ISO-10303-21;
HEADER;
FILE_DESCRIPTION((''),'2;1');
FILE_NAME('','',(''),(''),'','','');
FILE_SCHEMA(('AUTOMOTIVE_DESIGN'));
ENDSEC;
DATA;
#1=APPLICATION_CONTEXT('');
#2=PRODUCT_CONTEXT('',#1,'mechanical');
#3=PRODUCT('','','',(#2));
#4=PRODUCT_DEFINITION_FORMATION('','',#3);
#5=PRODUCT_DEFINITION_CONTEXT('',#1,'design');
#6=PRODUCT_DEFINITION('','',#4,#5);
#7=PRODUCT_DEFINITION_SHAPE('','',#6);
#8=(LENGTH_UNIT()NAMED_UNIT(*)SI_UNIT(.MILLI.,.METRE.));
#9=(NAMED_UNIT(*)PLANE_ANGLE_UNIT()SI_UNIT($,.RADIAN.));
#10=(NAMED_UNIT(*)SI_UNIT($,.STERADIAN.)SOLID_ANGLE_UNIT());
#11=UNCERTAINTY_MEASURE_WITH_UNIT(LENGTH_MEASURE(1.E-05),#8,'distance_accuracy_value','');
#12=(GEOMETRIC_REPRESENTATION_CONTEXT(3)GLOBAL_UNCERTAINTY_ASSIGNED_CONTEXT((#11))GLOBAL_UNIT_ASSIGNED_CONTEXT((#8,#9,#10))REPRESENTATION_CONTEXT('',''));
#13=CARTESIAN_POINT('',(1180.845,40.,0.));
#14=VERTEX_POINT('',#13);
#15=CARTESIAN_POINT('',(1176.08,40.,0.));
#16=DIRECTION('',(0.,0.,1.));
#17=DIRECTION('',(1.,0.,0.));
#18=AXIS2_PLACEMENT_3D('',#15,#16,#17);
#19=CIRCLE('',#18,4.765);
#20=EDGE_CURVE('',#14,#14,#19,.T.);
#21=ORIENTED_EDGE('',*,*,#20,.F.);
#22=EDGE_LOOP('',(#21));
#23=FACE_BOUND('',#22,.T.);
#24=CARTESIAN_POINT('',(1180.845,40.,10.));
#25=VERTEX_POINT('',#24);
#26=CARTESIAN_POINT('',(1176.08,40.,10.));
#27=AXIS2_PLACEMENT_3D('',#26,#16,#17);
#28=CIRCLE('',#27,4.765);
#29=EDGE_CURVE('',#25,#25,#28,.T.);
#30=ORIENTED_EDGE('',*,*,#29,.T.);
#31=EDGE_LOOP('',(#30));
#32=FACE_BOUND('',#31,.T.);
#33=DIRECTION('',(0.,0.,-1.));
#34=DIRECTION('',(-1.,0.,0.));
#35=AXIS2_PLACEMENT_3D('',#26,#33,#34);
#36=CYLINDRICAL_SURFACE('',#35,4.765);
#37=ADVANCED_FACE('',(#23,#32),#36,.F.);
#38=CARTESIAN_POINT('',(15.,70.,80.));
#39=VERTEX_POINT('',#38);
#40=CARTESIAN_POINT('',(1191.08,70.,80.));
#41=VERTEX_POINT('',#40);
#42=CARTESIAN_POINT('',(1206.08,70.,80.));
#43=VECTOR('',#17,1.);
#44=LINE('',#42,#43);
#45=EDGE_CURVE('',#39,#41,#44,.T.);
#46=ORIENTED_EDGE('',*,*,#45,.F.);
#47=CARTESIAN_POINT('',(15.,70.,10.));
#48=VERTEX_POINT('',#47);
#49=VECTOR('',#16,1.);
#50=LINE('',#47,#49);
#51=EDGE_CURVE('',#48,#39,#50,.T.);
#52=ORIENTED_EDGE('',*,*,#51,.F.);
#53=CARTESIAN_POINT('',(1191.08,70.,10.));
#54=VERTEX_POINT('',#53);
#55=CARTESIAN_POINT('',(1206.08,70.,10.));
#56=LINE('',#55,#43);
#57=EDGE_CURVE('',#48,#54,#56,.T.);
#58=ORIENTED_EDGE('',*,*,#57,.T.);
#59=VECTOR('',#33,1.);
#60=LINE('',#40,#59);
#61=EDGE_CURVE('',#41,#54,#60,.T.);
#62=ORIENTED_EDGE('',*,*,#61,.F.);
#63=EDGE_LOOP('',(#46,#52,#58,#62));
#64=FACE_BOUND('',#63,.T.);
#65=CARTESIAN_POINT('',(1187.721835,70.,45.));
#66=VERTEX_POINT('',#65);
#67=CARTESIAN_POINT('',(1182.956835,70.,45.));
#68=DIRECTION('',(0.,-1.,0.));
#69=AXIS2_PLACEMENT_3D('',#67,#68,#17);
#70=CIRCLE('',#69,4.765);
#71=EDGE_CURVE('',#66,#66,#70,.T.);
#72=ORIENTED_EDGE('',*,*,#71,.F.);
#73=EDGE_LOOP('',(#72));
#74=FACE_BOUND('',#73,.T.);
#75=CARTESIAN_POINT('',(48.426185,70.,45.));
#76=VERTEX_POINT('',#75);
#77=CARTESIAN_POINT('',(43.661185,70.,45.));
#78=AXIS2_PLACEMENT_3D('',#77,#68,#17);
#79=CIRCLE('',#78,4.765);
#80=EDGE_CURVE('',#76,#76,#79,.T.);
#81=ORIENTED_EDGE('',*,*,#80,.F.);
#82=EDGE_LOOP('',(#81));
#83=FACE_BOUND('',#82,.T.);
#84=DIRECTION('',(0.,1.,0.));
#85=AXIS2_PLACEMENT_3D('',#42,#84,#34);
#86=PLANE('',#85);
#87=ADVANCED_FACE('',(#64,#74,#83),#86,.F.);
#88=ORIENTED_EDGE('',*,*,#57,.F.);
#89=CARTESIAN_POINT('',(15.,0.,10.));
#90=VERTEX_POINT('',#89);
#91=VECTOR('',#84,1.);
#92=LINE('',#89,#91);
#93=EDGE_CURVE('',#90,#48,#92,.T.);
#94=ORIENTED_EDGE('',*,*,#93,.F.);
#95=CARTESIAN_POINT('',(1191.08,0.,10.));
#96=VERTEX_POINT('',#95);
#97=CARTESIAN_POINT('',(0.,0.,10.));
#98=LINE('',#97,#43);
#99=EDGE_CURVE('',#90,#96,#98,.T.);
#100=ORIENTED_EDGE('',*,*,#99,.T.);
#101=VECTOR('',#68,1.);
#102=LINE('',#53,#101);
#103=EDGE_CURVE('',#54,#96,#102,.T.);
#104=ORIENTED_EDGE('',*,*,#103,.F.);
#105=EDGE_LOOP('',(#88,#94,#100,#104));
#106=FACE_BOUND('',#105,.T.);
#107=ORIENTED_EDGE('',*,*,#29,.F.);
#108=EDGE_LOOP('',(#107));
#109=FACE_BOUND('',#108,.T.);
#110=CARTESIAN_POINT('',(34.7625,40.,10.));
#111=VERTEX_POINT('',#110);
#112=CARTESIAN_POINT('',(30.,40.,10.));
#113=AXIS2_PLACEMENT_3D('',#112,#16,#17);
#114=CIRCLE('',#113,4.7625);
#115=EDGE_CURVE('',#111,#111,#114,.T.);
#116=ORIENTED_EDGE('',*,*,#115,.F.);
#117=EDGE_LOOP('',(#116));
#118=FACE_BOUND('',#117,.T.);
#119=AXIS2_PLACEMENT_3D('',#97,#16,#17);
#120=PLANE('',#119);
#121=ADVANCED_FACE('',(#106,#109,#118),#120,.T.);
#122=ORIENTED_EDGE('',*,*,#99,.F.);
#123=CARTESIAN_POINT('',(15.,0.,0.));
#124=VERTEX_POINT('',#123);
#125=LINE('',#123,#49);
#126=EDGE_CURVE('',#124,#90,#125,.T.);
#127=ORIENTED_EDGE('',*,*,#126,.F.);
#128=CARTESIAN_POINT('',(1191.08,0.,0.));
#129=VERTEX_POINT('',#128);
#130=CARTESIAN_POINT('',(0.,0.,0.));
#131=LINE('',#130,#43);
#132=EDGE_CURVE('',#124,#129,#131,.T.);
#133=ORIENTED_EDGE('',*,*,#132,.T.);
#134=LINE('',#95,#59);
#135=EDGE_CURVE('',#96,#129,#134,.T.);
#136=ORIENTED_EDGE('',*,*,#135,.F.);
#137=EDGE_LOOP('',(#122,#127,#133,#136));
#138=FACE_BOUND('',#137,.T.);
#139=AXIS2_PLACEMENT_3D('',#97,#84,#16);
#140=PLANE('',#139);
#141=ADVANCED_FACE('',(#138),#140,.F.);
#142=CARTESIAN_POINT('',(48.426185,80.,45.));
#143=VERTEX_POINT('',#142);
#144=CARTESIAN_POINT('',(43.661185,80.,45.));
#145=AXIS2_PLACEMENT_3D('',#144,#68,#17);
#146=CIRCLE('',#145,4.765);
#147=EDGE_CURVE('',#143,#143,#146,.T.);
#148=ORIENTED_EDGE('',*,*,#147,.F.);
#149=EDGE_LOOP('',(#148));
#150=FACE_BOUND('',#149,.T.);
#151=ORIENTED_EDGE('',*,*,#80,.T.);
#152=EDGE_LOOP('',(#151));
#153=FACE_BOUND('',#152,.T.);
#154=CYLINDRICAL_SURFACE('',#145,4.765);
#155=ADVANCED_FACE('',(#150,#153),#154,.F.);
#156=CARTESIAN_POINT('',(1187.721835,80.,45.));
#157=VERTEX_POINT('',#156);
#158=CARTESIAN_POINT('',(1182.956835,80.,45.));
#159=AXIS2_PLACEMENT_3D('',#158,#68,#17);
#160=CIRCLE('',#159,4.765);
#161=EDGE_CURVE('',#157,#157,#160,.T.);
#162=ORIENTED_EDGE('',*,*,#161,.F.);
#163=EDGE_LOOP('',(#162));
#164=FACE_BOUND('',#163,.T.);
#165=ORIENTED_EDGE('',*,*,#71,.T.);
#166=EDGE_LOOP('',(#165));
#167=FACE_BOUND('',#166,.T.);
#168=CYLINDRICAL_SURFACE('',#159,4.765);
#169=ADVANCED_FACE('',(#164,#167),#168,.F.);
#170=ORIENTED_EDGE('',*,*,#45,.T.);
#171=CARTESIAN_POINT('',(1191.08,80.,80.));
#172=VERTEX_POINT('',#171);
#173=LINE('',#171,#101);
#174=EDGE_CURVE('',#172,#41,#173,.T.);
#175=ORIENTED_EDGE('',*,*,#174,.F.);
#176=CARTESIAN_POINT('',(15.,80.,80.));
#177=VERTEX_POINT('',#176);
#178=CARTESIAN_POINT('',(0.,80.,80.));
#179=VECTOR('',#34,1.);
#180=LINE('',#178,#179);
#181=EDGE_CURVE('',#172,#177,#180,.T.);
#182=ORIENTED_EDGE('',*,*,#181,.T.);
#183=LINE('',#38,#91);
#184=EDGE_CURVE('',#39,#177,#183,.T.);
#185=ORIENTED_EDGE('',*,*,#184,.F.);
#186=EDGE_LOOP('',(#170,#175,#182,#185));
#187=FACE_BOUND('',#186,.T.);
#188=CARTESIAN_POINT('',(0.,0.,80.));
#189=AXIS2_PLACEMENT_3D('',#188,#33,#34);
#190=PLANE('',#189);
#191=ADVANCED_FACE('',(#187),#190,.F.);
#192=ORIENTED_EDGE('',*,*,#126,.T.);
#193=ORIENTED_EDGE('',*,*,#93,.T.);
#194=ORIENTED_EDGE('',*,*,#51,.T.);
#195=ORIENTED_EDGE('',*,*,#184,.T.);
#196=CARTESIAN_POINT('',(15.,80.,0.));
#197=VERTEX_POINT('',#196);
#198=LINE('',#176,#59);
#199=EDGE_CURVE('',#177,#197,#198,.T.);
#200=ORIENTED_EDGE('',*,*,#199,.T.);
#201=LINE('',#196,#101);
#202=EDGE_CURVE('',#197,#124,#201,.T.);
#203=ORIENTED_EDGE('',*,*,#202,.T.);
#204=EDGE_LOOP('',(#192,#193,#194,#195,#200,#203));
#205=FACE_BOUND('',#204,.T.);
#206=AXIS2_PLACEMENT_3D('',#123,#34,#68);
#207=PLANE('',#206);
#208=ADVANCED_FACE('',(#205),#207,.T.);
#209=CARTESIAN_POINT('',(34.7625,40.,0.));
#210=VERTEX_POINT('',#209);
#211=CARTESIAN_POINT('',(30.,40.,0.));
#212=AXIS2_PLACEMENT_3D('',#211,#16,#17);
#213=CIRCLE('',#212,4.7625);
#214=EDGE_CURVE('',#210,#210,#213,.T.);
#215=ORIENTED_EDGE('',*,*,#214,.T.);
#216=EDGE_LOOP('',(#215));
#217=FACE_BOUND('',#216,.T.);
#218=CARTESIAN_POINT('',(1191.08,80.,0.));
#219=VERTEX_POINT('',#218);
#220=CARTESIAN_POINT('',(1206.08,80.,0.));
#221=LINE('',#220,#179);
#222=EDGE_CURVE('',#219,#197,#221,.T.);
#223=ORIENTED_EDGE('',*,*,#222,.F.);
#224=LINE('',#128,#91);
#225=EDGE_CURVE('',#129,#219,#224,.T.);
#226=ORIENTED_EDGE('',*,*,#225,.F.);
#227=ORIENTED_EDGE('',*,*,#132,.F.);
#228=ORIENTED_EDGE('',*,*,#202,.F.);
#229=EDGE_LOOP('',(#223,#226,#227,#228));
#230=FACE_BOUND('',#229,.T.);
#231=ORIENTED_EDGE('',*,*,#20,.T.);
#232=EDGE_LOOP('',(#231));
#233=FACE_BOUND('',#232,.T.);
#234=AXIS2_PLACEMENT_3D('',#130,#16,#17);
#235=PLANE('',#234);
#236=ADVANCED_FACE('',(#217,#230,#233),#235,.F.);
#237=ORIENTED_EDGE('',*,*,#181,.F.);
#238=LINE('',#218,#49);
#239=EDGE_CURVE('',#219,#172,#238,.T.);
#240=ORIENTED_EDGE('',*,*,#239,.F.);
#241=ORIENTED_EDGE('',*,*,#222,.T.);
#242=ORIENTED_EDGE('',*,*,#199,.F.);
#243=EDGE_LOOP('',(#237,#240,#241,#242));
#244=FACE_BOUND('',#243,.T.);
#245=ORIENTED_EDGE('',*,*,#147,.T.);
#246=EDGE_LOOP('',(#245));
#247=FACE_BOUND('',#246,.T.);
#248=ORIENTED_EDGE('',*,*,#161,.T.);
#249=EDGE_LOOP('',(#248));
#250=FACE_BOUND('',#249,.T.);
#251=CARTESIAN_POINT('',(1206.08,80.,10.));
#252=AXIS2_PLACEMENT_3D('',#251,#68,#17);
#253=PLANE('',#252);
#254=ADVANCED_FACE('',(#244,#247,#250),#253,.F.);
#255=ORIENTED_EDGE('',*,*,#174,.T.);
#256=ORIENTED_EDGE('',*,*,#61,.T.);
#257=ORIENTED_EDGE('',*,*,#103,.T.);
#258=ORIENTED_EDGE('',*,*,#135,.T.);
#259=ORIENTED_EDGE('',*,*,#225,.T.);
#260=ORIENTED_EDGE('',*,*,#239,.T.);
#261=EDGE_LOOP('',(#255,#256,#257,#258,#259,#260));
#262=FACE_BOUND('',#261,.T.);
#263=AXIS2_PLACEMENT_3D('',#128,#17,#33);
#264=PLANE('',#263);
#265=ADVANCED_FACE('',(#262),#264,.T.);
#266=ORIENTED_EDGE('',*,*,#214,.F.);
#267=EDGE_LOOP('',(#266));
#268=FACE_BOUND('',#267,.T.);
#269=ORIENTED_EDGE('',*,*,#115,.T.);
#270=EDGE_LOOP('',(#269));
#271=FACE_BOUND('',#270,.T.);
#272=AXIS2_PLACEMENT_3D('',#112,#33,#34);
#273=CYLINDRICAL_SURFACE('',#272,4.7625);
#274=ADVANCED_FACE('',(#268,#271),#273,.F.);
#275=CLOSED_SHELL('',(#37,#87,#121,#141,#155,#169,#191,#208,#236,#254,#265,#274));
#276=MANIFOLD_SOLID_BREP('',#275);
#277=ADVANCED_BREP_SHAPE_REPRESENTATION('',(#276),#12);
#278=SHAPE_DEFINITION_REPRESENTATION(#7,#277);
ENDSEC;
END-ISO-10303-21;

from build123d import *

# Parameters (mm, degrees)
CROQUIS1_W              = 1206.08
CROQUIS1_H              = 80
CROQUIS1_R              = 4.7625
CROQUIS1_R_2            = 4.765
SALIENTE_EXTRUIR1_DEPTH = 10
CROQUIS2_W              = 1206.08
CROQUIS2_H              = 10
SALIENTE_EXTRUIR2_DEPTH = 70
CROQUIS3_R              = 4.765
CORTAR_EXTRUIR1_DEPTH   = 1211.755535358
CORTAR_EXTRUIR2_DEPTH   = 15
CORTAR_EXTRUIR3_DEPTH   = 15


with BuildPart() as part:
    # Croquis1 → Saliente-Extruir1 (new body)
    with BuildSketch(Plane.XY):
        with Locations((603.04, 40)):
            Rectangle(CROQUIS1_W, CROQUIS1_H)
        with Locations((30, 40)):
            Circle(CROQUIS1_R, mode=Mode.SUBTRACT)
        with Locations((1176.08, 40)):
            Circle(CROQUIS1_R_2, mode=Mode.SUBTRACT)
    extrude(amount=SALIENTE_EXTRUIR1_DEPTH)

    # Croquis2 → Saliente-Extruir2 (add)
    with BuildSketch(Plane.XY.offset(10)):
        with Locations((603.04, 75)):
            Rectangle(CROQUIS2_W, CROQUIS2_H)
    extrude(amount=SALIENTE_EXTRUIR2_DEPTH)

    # Croquis3 → Cortar-Extruir1 (cut, through all)
    with BuildSketch(Plane.XZ.offset(-70)):
        with Locations((1182.956834807, 45)):
            Circle(CROQUIS3_R)
        with Locations((43.661184758, 45)):
            Circle(CROQUIS3_R)
    extrude(amount=-CORTAR_EXTRUIR1_DEPTH, mode=Mode.SUBTRACT)

    # Croquis4 → Cortar-Extruir2 (cut)
    with BuildSketch(Plane(origin=(1206.08, 0, 0), x_dir=(0, 0, -1), z_dir=(1, 0, 0))):
        Polygon((-10, 0), (0, 0), (0, 80), (-80, 80), (-80, 70), (-10, 70), align=None)
    extrude(amount=-CORTAR_EXTRUIR2_DEPTH, mode=Mode.SUBTRACT)

    # Croquis5 → Cortar-Extruir3 (cut)
    with BuildSketch(Plane.ZY):
        Polygon((0, 80), (0, 0), (10, 0), (10, 70), (80, 70), (80, 80), align=None)
    extrude(amount=-CORTAR_EXTRUIR3_DEPTH, mode=Mode.SUBTRACT)


solid = part.part
